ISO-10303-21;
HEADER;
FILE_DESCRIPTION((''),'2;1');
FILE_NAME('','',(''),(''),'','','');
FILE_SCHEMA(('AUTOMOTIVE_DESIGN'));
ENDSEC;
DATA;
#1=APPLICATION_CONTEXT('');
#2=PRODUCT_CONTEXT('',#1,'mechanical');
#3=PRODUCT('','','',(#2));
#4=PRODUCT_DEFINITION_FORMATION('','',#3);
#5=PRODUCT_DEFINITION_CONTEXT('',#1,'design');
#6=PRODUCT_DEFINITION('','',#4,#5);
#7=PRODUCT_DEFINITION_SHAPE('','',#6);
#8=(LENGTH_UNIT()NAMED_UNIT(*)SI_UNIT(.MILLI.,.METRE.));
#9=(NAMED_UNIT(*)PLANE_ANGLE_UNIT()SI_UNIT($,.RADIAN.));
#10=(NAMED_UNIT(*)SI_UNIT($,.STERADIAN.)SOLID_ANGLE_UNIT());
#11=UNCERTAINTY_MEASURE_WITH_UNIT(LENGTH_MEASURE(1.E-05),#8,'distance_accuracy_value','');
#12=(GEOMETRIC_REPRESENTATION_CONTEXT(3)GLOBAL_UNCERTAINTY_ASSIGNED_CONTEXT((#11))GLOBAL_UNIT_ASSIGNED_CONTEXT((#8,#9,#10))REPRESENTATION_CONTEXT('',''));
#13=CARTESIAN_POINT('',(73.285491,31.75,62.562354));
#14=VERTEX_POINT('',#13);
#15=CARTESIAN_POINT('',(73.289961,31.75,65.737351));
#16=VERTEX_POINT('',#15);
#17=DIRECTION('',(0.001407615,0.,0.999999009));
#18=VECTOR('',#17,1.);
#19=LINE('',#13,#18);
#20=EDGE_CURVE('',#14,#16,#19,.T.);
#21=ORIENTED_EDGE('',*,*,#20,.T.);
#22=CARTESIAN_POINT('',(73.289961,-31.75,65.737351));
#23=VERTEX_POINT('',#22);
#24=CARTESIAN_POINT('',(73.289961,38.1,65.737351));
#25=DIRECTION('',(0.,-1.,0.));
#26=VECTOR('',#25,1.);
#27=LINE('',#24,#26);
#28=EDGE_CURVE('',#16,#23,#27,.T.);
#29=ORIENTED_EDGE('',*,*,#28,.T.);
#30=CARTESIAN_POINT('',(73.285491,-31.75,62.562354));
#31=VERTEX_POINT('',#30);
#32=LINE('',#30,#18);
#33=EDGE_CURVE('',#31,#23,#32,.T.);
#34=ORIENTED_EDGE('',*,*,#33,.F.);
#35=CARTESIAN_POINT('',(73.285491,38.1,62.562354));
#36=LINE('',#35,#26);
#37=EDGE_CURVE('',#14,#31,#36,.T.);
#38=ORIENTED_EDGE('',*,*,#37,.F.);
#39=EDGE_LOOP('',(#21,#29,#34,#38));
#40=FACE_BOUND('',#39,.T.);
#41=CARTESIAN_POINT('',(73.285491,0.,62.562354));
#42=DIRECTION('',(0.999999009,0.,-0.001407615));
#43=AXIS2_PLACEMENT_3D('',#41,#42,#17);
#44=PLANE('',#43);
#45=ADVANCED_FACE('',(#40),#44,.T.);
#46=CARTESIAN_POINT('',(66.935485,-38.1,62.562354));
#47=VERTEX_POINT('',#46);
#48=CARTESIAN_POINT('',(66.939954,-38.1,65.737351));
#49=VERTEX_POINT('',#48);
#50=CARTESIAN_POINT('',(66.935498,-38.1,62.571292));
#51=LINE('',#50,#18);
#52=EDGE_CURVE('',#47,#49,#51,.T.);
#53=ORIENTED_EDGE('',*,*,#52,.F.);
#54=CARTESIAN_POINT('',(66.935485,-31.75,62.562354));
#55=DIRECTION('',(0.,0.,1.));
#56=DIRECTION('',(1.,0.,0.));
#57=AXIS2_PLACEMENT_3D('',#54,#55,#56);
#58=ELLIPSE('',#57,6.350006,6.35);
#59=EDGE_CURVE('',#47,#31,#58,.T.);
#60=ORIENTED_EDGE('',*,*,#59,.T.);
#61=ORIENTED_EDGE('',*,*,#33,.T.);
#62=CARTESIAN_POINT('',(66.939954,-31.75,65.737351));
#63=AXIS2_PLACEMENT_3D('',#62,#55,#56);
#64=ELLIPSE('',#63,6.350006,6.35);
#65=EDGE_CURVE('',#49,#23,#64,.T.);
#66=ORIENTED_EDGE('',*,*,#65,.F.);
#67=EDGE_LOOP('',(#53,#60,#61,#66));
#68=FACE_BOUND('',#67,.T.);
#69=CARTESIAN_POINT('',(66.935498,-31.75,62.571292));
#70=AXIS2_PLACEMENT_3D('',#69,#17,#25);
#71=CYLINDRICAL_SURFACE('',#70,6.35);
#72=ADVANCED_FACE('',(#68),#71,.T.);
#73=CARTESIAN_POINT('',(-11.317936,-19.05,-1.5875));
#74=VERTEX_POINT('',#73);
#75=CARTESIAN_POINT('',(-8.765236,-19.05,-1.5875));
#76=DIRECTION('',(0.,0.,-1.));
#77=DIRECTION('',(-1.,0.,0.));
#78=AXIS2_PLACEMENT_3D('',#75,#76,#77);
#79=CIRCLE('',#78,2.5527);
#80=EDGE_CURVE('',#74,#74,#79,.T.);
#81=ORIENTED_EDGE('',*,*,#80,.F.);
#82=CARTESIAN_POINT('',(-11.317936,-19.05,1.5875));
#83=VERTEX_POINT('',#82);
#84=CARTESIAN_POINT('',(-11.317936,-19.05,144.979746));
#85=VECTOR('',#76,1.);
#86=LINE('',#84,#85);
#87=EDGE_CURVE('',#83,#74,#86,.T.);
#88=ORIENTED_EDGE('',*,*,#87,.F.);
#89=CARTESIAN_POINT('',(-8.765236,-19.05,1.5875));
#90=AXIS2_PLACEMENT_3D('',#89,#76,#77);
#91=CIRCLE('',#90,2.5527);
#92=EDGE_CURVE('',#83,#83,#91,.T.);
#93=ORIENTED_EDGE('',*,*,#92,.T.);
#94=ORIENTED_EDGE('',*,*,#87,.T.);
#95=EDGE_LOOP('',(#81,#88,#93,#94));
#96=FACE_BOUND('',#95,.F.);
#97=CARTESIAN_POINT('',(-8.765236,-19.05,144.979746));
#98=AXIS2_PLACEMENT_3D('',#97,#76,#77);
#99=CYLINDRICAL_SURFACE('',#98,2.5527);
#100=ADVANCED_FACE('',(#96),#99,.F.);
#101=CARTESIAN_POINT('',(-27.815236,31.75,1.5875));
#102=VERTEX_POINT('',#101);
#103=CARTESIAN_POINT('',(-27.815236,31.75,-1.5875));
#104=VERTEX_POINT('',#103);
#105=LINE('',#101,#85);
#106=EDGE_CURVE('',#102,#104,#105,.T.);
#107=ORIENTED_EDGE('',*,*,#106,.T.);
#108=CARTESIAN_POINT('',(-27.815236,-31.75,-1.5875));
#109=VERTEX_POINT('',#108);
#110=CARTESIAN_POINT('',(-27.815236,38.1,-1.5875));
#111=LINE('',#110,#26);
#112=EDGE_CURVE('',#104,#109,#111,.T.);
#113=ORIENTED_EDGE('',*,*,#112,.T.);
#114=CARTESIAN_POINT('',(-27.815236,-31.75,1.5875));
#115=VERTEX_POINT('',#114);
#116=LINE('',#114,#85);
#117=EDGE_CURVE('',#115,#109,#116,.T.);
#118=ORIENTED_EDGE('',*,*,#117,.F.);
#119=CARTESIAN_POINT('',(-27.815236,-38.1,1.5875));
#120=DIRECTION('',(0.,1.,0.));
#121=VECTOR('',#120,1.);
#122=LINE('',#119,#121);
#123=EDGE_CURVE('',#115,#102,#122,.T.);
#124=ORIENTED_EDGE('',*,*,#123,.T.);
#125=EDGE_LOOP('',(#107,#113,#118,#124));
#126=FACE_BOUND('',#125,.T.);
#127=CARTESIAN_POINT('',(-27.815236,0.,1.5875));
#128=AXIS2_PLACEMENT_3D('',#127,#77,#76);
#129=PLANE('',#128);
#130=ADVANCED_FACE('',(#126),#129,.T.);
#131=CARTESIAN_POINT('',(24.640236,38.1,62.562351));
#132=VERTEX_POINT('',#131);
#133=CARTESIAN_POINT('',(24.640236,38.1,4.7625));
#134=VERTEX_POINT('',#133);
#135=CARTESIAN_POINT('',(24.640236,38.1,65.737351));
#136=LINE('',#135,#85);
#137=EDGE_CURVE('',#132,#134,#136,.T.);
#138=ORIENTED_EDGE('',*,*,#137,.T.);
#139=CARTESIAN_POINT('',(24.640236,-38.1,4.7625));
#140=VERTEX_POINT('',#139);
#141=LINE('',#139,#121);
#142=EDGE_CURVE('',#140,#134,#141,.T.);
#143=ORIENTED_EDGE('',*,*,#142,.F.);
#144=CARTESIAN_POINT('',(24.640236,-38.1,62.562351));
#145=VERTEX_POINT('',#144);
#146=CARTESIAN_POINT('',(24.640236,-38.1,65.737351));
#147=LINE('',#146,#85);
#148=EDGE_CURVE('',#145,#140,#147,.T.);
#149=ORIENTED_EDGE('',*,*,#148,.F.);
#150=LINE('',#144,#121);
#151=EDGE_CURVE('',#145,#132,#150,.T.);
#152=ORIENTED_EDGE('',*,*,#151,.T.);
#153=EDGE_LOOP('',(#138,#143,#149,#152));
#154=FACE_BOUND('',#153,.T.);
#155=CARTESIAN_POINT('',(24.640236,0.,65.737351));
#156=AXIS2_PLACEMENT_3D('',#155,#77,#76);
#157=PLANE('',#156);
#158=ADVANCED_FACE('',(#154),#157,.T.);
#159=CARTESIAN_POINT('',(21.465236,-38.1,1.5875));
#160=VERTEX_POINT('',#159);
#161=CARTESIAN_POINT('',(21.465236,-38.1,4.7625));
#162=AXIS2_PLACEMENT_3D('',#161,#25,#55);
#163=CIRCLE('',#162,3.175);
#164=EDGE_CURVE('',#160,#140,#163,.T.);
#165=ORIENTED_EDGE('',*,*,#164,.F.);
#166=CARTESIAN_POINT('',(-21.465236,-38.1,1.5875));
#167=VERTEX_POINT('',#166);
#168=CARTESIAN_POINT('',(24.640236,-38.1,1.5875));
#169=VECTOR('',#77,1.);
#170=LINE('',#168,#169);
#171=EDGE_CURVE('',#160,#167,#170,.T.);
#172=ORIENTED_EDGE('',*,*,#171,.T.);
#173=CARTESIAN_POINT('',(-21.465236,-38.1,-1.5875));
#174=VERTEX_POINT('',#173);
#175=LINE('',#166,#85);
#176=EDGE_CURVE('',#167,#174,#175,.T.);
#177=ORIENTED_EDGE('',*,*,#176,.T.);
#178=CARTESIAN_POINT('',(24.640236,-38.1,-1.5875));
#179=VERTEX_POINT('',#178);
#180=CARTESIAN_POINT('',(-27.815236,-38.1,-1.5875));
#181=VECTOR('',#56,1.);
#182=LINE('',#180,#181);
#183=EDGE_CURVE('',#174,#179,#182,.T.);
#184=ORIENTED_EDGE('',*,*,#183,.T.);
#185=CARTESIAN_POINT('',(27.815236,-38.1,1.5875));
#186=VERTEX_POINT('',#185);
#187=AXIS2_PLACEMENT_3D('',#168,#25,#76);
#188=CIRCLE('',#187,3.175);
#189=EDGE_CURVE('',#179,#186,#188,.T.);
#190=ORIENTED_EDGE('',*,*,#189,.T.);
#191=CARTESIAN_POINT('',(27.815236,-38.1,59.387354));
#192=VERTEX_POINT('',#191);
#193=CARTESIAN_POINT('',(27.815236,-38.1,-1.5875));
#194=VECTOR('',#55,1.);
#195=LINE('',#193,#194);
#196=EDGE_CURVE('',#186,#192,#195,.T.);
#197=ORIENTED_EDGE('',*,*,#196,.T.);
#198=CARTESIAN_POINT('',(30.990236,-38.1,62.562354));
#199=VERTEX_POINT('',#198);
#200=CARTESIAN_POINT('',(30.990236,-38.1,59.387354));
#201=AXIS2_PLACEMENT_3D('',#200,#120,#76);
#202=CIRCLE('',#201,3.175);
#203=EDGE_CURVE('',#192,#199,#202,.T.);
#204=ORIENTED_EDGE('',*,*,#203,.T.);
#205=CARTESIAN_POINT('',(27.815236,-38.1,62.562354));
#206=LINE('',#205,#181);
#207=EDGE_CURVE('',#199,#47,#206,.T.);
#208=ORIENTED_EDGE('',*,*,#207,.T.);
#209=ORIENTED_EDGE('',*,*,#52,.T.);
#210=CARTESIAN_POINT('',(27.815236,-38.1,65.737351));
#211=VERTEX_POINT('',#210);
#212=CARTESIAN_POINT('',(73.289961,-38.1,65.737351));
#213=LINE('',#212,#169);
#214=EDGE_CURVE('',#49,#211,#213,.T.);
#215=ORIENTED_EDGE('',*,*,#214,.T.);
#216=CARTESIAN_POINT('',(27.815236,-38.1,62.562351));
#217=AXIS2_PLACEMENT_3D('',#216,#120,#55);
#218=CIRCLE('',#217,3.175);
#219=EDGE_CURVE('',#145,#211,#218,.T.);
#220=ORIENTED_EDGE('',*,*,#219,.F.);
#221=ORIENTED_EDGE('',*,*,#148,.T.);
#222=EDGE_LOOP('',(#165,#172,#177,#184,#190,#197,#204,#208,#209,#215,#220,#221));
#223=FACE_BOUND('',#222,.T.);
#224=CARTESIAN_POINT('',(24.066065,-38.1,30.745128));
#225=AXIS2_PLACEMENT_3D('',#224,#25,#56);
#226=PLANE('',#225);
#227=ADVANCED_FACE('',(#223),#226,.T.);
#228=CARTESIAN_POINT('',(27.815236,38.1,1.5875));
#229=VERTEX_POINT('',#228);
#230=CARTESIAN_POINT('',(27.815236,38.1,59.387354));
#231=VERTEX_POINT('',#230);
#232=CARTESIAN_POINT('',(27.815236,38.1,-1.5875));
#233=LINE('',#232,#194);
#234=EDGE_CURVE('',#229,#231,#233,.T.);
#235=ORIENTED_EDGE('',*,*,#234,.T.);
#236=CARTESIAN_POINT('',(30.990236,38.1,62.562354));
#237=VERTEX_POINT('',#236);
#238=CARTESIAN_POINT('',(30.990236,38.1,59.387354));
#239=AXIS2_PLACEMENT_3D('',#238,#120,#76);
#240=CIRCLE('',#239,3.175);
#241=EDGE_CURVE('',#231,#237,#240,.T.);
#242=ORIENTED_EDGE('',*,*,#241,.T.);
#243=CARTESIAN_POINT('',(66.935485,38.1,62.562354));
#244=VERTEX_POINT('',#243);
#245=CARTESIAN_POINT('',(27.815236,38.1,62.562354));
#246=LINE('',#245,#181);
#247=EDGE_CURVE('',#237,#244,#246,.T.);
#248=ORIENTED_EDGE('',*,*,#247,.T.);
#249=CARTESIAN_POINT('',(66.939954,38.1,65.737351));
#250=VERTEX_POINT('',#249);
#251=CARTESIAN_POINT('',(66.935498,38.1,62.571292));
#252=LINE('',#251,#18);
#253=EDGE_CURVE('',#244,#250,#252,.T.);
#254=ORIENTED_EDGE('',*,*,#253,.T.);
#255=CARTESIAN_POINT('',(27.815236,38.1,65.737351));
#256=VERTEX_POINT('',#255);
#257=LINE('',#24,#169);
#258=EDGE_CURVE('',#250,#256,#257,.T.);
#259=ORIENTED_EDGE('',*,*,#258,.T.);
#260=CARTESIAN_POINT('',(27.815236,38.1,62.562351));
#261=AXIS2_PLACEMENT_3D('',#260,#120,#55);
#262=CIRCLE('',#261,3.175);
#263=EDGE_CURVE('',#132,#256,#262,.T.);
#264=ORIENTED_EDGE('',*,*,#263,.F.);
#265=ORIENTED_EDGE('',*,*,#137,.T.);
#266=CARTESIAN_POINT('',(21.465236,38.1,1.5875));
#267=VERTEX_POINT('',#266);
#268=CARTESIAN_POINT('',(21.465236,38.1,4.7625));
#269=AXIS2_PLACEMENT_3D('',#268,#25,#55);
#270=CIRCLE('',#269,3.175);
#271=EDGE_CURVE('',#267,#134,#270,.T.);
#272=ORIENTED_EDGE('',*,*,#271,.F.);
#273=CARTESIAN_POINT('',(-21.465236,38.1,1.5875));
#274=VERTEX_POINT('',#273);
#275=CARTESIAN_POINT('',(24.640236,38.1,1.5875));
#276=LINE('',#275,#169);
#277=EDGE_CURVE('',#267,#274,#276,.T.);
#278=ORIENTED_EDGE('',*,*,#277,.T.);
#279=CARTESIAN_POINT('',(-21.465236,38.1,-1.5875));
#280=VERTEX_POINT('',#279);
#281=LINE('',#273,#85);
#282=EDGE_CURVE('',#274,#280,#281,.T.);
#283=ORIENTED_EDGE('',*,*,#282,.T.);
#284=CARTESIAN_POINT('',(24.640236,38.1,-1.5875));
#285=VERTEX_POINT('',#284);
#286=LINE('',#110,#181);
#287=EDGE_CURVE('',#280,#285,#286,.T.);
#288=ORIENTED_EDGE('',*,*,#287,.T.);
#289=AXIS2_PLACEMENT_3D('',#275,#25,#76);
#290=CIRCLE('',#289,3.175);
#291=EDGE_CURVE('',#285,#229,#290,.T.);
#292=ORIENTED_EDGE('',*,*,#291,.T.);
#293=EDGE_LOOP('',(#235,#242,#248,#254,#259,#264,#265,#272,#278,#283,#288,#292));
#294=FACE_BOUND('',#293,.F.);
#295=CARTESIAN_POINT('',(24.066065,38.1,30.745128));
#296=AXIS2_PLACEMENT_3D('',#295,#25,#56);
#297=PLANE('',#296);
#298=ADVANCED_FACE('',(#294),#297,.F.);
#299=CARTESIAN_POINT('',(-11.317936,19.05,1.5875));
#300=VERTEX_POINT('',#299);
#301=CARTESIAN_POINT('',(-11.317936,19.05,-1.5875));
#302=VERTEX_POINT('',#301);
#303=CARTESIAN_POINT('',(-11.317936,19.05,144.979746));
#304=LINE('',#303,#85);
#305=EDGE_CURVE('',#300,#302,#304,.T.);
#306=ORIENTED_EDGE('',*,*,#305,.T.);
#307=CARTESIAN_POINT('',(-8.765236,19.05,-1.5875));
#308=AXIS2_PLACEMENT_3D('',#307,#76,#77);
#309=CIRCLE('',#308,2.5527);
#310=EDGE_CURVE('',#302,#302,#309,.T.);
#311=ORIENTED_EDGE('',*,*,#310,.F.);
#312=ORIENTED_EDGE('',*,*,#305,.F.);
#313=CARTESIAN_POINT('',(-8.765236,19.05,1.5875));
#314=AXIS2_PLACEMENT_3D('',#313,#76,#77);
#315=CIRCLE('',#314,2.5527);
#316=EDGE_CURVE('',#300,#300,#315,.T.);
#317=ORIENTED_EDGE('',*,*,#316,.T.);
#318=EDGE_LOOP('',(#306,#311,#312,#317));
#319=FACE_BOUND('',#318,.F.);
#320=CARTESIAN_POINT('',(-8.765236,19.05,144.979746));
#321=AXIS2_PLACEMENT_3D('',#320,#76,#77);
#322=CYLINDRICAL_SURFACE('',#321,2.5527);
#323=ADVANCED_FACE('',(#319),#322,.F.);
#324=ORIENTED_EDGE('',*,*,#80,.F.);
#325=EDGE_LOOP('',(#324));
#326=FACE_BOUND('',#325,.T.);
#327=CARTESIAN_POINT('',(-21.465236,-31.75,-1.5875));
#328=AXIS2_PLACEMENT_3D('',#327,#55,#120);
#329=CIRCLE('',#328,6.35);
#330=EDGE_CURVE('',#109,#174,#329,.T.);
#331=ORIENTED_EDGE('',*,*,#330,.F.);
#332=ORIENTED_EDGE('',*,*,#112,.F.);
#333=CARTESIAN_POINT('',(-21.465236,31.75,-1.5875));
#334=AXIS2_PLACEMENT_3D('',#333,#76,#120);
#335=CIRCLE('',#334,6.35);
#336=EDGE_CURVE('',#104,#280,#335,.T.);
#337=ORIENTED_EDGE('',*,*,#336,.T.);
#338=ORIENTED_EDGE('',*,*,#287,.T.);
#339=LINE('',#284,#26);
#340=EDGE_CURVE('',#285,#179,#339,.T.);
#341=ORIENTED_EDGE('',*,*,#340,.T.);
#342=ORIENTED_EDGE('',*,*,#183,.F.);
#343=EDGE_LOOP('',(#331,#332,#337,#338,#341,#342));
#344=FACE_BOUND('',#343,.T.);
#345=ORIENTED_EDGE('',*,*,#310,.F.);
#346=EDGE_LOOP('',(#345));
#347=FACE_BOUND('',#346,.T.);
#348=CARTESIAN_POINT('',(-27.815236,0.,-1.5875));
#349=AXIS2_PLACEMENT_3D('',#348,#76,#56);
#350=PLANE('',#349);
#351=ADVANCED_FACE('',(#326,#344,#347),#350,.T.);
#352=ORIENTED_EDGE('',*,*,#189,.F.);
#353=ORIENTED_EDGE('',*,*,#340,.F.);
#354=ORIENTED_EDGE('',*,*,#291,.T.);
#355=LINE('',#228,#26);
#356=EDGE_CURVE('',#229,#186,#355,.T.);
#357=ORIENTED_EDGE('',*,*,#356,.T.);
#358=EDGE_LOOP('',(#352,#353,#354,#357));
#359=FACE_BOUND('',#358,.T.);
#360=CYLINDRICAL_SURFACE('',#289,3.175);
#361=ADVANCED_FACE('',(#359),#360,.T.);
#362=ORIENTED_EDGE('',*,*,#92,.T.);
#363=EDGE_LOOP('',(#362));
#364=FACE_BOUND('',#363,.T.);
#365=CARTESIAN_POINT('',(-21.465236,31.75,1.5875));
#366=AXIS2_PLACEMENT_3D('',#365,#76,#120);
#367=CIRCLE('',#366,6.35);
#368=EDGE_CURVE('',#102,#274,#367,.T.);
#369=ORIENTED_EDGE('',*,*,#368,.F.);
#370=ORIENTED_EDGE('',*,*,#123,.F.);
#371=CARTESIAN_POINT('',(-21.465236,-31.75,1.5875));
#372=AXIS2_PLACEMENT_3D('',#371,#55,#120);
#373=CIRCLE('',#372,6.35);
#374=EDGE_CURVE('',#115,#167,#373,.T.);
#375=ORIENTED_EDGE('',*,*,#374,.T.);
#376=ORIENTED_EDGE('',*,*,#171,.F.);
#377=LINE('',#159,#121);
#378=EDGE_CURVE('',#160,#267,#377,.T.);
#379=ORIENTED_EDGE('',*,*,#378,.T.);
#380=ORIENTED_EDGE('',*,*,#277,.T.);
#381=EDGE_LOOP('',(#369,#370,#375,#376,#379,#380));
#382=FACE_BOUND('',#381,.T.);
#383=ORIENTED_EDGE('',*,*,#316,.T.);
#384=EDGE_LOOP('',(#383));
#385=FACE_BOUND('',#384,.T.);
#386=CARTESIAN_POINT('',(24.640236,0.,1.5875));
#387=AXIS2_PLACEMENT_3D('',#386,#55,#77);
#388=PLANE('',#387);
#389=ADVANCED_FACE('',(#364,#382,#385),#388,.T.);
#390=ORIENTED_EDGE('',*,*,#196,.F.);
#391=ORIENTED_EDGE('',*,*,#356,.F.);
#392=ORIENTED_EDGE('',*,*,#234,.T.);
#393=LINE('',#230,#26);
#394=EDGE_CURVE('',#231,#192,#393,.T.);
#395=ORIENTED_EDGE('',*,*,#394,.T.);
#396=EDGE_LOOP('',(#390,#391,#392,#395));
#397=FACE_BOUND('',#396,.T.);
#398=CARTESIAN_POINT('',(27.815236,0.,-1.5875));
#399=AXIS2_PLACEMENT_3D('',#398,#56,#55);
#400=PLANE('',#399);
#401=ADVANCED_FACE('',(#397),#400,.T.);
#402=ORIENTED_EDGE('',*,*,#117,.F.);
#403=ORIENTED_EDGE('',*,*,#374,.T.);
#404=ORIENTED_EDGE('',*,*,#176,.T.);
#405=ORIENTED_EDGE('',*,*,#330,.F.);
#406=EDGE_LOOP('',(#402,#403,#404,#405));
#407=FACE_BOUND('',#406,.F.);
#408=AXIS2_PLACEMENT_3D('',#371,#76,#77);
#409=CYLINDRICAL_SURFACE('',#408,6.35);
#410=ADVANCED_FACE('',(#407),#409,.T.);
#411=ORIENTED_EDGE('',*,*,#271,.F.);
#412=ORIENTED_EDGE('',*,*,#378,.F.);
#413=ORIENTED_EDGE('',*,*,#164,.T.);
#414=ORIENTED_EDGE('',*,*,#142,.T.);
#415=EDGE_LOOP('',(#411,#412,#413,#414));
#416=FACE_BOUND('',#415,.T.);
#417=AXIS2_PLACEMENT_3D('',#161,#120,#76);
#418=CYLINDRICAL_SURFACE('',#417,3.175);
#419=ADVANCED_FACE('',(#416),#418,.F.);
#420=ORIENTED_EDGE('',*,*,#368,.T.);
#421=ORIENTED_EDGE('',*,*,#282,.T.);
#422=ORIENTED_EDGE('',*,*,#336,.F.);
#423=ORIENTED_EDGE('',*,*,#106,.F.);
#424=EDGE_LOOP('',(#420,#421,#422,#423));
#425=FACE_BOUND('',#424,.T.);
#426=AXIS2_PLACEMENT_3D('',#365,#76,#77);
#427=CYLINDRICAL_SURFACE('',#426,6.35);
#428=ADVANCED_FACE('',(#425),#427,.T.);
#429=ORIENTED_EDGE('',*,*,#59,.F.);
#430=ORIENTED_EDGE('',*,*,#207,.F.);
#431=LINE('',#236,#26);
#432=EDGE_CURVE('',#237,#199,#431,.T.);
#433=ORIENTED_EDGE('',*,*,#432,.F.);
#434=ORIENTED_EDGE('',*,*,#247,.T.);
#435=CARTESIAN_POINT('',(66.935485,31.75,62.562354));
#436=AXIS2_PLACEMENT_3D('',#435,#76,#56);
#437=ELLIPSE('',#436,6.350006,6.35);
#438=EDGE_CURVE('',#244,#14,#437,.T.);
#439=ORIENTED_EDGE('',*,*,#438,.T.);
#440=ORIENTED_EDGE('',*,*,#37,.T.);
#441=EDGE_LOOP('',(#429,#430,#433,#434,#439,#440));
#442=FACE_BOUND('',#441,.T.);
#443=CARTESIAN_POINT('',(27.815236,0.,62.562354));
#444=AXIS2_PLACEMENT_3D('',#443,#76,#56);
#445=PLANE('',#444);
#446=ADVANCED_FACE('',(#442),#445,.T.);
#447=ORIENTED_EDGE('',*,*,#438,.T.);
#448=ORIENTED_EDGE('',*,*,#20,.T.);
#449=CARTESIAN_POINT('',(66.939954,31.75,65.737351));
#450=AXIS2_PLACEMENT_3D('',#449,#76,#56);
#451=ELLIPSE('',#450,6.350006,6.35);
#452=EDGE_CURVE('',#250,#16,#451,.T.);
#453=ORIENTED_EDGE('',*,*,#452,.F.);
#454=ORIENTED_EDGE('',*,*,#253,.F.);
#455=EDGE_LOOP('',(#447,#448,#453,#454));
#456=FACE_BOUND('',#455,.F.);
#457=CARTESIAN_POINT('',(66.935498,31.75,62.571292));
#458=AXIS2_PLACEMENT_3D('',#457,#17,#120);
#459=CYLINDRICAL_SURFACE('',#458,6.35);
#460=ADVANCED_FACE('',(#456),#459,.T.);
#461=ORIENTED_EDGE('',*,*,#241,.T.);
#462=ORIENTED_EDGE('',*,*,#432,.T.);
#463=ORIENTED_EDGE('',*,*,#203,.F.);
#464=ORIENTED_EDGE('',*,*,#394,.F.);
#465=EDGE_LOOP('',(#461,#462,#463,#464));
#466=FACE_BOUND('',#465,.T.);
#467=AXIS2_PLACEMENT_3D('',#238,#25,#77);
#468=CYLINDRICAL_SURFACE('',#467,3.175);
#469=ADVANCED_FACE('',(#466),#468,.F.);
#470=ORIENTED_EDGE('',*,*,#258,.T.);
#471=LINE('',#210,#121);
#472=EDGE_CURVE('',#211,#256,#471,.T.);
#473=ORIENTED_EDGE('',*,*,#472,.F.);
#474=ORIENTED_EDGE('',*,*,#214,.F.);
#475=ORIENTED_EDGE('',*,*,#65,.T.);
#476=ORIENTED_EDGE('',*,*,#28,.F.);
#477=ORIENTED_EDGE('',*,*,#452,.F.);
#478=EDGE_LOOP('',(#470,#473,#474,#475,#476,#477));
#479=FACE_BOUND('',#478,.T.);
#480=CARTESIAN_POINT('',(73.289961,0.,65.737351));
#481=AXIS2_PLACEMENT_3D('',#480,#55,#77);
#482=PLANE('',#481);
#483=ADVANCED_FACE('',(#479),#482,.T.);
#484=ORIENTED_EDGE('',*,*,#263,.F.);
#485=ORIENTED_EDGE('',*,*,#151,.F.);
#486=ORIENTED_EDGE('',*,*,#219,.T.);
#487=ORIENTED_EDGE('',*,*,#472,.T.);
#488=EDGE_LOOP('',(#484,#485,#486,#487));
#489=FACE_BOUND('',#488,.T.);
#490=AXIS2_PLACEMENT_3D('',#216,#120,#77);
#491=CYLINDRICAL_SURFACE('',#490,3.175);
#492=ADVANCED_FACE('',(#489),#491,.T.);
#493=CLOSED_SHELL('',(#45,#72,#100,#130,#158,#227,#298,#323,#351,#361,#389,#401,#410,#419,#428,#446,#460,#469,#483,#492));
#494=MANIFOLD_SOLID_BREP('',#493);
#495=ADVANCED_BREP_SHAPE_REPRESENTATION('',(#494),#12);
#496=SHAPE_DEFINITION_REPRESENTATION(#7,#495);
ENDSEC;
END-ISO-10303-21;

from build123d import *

# Parameters (mm, degrees)
F1_DEPTH = 38.1
F2_R     = 6.35
F3_R     = 6.35
F5_D     = 5.1054
F6_R     = 3.175
F7_R     = 3.175


with BuildPart() as f1:
    # F0 (on Front) → F1 (new body, symmetric)
    with BuildSketch(Plane.XZ):
        Polygon((-27.8152357787, 1.5875), (-27.8152357787, -1.5875), (27.8152357787, -1.5875), (27.8152357787, 1.5875), (27.8152357787, 62.5623540473), (73.2854913984, 62.5623540473), (73.2899605753, 65.7373509019), (27.8197049557, 65.7373509019), (24.6402357787, 65.7373509019), (24.6402357787, 62.5623540473), (24.6402357787, 9.6064366907), (24.6402357787, 1.5875), align=None)
    extrude(amount=F1_DEPTH, both=True)

    # F2
    f2_edges = [f1.edges().sort_by_distance(p)[0] for p in [
        (-27.815236, -38.1, 0),
    ]]
    fillet(f2_edges, radius=F2_R)

    # F3
    f3_edges = [f1.edges().sort_by_distance(p)[0] for p in [
        (73.287726, 38.1, 64.149852),
        (73.287726, -38.1, 64.149852),
        (-27.815236, 38.1, 0),
    ]]
    fillet(f3_edges, radius=F3_R)

    # F5 (through all)
    with Locations(Plane.XY.offset(1.5875)):
        with Locations((-8.7652357787, 19.05), (-8.7652357787, -19.05)):
            Hole(F5_D / 2)

    # F6
    f6_edges = [f1.edges().sort_by_distance(p)[0] for p in [
        (24.640236, 0, 65.737351),
        (27.815236, 0, -1.5875),
    ]]
    fillet(f6_edges, radius=F6_R)

    # F7
    f7_edges = [f1.edges().sort_by_distance(p)[0] for p in [
        (27.815236, 0, 62.562354),
        (24.640236, 0, 1.5875),
    ]]
    fillet(f7_edges, radius=F7_R)


solid = f1.part
